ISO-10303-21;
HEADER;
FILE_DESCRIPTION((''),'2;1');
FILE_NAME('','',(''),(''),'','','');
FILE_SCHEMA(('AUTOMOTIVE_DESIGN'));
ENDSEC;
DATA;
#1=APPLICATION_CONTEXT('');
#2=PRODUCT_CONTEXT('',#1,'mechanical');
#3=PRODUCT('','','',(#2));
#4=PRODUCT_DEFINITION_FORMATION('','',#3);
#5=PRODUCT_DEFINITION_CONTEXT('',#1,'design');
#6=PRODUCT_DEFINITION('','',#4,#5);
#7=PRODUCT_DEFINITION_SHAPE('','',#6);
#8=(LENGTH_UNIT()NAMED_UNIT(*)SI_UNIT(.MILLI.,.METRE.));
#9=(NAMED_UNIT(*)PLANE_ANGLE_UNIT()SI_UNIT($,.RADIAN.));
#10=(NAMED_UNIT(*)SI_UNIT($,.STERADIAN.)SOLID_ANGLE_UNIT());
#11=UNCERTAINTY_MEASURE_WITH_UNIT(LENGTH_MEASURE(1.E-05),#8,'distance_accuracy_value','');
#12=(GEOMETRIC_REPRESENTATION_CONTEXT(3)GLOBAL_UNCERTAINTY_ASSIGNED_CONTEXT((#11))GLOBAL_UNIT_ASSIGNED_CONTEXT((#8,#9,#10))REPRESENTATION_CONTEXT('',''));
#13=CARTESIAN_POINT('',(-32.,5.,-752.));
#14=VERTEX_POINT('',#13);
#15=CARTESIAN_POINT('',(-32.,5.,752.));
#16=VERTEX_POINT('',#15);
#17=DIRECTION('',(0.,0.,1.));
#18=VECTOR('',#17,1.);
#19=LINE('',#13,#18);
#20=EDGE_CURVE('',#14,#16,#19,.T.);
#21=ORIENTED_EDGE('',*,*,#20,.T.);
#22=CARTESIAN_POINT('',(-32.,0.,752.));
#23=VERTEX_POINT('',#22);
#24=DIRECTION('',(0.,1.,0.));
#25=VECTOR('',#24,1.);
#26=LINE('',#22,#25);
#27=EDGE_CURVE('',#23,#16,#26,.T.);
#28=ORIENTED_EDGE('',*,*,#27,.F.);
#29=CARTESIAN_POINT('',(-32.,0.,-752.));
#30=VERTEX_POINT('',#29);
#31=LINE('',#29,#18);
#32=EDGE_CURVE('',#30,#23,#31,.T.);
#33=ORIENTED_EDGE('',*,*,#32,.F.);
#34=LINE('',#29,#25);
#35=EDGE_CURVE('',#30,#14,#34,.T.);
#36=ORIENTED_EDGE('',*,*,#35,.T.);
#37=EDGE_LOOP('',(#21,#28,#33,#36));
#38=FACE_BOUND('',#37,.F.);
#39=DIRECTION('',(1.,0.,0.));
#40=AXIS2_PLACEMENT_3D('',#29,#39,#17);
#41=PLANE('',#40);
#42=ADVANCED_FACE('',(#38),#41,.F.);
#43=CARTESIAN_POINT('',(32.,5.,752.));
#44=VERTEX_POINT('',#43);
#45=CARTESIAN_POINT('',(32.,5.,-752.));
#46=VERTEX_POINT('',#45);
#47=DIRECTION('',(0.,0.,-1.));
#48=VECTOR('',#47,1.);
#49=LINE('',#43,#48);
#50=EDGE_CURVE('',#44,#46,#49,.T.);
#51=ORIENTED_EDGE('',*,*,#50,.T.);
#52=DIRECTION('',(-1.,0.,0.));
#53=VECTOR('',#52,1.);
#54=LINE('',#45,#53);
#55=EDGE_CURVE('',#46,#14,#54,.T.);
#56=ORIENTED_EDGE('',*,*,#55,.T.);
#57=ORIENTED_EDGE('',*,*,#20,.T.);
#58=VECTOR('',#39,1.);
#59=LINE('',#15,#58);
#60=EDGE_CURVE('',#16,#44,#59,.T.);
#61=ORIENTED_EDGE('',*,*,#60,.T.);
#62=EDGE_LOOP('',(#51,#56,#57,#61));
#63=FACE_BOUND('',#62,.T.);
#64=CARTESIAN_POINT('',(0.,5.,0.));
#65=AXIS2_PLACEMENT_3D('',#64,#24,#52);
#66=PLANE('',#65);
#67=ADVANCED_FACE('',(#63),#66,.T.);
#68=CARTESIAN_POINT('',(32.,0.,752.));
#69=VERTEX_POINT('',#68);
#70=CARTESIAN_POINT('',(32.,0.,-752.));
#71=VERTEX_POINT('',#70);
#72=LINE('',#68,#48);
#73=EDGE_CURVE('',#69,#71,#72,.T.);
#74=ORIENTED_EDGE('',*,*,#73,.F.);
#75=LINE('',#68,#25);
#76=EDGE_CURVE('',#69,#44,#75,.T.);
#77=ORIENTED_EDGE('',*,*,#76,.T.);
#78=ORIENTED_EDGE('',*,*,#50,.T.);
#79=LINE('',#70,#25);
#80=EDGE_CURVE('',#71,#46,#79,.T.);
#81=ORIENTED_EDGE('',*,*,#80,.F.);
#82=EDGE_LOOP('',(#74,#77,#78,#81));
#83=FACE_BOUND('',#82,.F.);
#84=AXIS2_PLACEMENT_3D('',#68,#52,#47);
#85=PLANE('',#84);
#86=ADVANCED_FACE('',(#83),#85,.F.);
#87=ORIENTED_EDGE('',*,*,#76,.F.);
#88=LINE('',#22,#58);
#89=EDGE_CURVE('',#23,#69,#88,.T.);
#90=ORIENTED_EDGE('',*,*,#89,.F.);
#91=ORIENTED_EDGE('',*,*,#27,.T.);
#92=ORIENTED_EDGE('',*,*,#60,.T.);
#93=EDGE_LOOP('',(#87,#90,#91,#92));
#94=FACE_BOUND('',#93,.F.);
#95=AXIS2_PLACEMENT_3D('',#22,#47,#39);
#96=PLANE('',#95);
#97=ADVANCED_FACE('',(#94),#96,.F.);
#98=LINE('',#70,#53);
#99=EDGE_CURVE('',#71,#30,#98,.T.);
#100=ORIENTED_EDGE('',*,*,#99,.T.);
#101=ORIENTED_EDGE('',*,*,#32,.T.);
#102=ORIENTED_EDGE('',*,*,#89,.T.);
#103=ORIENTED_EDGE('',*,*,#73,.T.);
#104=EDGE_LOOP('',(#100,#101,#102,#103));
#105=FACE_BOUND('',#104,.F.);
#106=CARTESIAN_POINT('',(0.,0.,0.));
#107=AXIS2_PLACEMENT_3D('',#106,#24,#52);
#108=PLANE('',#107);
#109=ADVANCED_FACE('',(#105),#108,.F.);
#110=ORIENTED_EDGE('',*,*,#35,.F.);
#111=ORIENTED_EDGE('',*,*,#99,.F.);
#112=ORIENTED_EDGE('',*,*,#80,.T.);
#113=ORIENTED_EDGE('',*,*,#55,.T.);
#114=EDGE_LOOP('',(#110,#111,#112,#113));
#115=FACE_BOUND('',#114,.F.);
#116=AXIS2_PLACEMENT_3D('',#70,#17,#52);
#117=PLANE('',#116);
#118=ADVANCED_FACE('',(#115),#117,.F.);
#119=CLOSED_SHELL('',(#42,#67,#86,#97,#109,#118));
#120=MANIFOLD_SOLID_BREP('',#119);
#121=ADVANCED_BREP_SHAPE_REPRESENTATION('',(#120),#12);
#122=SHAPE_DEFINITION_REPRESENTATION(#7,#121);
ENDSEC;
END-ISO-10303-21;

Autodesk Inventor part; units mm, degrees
ref_plane "YZ Plane" through (0, 0, 0) normal (1, 0, 0) x (0, 1, 0)
ref_plane "XZ Plane" through (0, 0, 0) normal (0, 1, 0) x (-1, 0, 0)
ref_plane "XY Plane" through (0, 0, 0) normal (0, 0, 1) x (1, 0, 0)
sketch "Эскиз1" plane through (0, 0, 0) normal (0, 1, 0) x (-1, 0, 0)
  line L0 (32, 752) -> (-32, 752)
  line L1 (-32, 752) -> (-32, -752)
  line L2 (-32, -752) -> (32, -752)
  line L3 (32, -752) -> (32, 752)
  line L4 (32, 752) -> (-32, -752) construction
  line L5 (-32, 752) -> (32, -752) construction
  point P0 (0, 0)
  dimension "d0" = 64
  dimension "d1" = 1504
extrude "Пластина1" add sketch "Эскиз1" along normal blind 5
equation "\"d2\" = Толщина"
equation "\"Радиус_гибки\" = Толщина"
equation "\"Ширина_просечки\" = Толщина"
equation "\"Глубина_просечки\" = 0.5 * Толщина"
equation "\"Радиус_перехода\" = Радиус_гибки"
equation "\"Радиус_Якоби\" = Радиус_гибки"
equation "\"Размер_зазора\" = Толщина"
equation "\"Толщина\" = 5"
properties part number "0933_CPY1" material "Steel"
